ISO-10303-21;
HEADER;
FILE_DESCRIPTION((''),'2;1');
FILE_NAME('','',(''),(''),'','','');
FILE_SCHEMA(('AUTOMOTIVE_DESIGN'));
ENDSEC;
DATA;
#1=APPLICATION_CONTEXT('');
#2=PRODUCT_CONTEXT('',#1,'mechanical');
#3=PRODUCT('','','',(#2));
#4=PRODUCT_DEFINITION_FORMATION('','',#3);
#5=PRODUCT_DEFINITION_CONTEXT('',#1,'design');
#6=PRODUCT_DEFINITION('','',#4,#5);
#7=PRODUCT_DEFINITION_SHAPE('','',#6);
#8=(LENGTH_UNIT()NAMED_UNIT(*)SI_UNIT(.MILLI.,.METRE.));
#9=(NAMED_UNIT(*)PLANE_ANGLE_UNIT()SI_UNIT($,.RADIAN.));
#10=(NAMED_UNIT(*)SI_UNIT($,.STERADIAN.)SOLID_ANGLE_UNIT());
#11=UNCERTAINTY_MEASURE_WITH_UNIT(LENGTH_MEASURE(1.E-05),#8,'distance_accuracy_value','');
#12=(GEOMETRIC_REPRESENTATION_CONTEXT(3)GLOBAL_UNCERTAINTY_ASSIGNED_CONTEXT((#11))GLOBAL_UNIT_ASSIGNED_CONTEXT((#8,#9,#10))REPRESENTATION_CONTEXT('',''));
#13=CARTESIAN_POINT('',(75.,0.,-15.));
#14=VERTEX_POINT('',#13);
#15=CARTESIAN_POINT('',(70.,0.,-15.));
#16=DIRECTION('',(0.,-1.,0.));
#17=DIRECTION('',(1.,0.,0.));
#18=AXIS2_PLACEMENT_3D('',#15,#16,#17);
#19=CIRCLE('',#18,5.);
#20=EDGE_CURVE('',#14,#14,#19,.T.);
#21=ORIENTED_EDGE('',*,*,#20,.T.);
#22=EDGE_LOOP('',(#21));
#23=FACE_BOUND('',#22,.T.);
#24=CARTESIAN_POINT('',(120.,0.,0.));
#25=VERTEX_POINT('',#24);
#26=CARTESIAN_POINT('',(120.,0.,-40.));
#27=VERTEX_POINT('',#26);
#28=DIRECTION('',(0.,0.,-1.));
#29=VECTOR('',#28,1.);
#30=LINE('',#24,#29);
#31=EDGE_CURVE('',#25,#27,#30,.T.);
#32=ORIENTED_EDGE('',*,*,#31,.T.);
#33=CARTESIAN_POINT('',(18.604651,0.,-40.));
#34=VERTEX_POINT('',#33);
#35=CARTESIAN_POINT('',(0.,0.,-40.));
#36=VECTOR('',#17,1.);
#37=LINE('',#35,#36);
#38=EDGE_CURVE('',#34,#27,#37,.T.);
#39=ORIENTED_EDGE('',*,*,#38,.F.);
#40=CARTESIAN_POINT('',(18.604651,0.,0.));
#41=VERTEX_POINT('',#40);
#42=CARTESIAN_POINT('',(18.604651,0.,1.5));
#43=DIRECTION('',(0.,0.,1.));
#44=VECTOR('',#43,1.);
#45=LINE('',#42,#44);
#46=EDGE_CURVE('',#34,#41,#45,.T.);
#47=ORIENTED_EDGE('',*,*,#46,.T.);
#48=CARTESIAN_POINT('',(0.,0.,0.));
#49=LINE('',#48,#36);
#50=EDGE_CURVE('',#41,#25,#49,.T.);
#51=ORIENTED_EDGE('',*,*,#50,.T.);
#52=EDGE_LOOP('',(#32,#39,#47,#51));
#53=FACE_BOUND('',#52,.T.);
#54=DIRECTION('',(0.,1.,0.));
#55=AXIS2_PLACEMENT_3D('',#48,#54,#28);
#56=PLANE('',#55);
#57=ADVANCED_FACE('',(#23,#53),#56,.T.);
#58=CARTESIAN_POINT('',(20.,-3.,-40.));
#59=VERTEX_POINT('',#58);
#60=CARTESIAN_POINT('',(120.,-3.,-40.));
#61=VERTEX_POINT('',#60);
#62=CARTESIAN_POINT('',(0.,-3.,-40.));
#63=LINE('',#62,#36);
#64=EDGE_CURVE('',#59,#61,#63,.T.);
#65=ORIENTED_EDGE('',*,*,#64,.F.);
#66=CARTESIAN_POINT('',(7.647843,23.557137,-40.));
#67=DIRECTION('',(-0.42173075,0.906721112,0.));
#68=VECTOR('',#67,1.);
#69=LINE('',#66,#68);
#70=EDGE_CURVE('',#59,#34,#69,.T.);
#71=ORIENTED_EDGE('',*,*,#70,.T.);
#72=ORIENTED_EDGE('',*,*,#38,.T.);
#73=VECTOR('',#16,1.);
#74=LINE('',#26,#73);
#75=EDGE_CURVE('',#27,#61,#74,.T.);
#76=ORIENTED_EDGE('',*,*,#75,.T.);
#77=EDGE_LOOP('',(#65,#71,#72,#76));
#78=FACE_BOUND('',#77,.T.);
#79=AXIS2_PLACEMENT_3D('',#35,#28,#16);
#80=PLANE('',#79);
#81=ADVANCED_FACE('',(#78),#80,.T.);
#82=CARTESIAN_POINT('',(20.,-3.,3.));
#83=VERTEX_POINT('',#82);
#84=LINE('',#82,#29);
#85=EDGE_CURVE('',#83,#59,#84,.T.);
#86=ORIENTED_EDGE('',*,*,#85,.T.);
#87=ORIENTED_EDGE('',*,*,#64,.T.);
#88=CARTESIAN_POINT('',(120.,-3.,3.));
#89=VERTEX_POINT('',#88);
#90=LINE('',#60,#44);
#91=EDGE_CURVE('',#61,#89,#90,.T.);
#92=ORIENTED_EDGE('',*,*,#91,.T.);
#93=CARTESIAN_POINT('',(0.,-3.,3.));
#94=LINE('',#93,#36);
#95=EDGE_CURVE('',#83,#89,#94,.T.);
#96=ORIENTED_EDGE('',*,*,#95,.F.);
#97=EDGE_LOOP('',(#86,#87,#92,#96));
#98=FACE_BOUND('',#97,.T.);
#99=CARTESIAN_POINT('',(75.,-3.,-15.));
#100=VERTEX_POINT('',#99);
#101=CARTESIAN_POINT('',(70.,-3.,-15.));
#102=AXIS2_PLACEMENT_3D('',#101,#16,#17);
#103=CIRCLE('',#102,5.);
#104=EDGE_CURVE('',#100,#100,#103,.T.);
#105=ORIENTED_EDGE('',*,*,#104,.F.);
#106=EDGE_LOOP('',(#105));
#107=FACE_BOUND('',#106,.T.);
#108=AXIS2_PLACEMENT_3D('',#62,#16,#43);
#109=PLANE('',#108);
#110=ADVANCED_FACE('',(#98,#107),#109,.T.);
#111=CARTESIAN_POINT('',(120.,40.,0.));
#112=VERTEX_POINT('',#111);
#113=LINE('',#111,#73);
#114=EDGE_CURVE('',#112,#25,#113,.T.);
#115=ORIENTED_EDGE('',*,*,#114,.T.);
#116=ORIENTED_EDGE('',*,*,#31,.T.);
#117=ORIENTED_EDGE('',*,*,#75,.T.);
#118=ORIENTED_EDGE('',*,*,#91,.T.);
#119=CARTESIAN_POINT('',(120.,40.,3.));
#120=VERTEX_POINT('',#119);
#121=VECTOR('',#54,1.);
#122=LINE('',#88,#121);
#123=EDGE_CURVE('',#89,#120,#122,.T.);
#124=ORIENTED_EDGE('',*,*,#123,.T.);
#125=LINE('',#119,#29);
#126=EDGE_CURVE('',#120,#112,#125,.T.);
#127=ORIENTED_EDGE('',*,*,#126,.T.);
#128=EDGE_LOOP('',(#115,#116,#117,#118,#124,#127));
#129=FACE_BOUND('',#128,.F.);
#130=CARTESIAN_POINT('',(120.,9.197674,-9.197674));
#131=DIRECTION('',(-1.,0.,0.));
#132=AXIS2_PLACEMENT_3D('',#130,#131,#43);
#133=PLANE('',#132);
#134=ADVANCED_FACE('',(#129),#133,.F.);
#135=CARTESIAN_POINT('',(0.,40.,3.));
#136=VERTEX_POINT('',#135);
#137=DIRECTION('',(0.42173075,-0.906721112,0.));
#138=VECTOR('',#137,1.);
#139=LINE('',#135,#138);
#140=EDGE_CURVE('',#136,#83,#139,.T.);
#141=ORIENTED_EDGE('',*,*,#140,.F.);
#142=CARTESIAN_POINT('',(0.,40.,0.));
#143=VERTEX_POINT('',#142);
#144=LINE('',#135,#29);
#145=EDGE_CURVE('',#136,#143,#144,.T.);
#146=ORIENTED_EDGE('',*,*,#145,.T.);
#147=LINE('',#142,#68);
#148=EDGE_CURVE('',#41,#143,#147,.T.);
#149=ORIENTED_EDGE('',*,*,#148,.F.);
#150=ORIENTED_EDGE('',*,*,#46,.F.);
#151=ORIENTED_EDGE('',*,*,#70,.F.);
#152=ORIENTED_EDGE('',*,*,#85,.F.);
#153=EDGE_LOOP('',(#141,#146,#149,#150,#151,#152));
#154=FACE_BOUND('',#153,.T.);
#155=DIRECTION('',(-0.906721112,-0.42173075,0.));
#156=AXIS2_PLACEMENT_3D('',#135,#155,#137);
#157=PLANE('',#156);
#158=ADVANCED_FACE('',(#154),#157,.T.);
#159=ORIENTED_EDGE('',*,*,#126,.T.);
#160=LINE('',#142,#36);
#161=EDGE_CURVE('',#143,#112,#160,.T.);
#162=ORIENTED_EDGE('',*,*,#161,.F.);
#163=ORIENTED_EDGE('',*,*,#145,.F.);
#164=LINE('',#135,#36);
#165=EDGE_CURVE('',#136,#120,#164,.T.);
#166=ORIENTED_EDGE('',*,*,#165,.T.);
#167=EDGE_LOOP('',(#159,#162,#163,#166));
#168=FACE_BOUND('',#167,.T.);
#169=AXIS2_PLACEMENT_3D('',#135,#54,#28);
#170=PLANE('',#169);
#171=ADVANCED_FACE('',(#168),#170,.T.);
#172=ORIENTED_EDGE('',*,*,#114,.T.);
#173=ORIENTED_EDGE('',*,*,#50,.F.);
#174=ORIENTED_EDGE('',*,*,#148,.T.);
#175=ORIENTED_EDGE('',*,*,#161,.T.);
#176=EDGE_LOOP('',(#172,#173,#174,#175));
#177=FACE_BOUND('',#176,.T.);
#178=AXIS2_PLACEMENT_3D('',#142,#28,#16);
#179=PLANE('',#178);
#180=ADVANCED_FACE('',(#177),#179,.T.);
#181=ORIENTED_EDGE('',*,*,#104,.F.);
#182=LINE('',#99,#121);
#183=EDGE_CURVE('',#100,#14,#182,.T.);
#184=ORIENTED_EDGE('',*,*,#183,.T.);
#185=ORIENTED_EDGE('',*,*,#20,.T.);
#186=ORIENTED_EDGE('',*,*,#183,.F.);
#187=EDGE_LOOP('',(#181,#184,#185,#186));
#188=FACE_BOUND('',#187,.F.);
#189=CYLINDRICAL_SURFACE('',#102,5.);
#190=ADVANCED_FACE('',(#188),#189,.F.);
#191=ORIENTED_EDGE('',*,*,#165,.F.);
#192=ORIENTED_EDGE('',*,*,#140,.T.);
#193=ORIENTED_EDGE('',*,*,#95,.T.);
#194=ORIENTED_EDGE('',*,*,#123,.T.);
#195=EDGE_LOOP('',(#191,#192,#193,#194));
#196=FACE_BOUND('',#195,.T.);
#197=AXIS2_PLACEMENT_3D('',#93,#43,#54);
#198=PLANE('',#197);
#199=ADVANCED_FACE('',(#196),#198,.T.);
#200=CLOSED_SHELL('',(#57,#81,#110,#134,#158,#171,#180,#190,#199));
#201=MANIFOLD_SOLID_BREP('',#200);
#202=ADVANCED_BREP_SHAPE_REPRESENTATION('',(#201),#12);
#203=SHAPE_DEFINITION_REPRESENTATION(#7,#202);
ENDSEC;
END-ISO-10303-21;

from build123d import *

# Parameters (mm, degrees)
EXTRUDE_1_DEPTH     = 120
CUT_EXTRUDE_1_DEPTH = 50
SKETCH_3_R          = 5
CUT_EXTRUDE_2_DEPTH = 10


with BuildPart() as part:
    # Эскиз1 → Вытянуть-Тонкостенный1 (new body)
    with BuildSketch(Plane(origin=(0, 0, 0), x_dir=(0, 0, -1), z_dir=(1, 0, 0))):
        Polygon((0, 40), (0, 0), (40, 0), (40, -3), (-3, -3), (-3, 40), align=None)
    extrude(amount=EXTRUDE_1_DEPTH)

    # Эскиз2 → Вырез-Вытянуть1 (cut)
    with BuildSketch(Plane.XY.offset(3)):
        Polygon((0, 40), (20, -3), (0, -3), align=None)
    extrude(amount=-CUT_EXTRUDE_1_DEPTH, mode=Mode.SUBTRACT)

    # Эскиз3 → Вырез-Вытянуть2 (cut)
    with BuildSketch(Plane.XZ.offset(3)):
        with Locations((70, -15)):
            Circle(SKETCH_3_R)
    extrude(amount=-CUT_EXTRUDE_2_DEPTH, mode=Mode.SUBTRACT)


solid = part.part
